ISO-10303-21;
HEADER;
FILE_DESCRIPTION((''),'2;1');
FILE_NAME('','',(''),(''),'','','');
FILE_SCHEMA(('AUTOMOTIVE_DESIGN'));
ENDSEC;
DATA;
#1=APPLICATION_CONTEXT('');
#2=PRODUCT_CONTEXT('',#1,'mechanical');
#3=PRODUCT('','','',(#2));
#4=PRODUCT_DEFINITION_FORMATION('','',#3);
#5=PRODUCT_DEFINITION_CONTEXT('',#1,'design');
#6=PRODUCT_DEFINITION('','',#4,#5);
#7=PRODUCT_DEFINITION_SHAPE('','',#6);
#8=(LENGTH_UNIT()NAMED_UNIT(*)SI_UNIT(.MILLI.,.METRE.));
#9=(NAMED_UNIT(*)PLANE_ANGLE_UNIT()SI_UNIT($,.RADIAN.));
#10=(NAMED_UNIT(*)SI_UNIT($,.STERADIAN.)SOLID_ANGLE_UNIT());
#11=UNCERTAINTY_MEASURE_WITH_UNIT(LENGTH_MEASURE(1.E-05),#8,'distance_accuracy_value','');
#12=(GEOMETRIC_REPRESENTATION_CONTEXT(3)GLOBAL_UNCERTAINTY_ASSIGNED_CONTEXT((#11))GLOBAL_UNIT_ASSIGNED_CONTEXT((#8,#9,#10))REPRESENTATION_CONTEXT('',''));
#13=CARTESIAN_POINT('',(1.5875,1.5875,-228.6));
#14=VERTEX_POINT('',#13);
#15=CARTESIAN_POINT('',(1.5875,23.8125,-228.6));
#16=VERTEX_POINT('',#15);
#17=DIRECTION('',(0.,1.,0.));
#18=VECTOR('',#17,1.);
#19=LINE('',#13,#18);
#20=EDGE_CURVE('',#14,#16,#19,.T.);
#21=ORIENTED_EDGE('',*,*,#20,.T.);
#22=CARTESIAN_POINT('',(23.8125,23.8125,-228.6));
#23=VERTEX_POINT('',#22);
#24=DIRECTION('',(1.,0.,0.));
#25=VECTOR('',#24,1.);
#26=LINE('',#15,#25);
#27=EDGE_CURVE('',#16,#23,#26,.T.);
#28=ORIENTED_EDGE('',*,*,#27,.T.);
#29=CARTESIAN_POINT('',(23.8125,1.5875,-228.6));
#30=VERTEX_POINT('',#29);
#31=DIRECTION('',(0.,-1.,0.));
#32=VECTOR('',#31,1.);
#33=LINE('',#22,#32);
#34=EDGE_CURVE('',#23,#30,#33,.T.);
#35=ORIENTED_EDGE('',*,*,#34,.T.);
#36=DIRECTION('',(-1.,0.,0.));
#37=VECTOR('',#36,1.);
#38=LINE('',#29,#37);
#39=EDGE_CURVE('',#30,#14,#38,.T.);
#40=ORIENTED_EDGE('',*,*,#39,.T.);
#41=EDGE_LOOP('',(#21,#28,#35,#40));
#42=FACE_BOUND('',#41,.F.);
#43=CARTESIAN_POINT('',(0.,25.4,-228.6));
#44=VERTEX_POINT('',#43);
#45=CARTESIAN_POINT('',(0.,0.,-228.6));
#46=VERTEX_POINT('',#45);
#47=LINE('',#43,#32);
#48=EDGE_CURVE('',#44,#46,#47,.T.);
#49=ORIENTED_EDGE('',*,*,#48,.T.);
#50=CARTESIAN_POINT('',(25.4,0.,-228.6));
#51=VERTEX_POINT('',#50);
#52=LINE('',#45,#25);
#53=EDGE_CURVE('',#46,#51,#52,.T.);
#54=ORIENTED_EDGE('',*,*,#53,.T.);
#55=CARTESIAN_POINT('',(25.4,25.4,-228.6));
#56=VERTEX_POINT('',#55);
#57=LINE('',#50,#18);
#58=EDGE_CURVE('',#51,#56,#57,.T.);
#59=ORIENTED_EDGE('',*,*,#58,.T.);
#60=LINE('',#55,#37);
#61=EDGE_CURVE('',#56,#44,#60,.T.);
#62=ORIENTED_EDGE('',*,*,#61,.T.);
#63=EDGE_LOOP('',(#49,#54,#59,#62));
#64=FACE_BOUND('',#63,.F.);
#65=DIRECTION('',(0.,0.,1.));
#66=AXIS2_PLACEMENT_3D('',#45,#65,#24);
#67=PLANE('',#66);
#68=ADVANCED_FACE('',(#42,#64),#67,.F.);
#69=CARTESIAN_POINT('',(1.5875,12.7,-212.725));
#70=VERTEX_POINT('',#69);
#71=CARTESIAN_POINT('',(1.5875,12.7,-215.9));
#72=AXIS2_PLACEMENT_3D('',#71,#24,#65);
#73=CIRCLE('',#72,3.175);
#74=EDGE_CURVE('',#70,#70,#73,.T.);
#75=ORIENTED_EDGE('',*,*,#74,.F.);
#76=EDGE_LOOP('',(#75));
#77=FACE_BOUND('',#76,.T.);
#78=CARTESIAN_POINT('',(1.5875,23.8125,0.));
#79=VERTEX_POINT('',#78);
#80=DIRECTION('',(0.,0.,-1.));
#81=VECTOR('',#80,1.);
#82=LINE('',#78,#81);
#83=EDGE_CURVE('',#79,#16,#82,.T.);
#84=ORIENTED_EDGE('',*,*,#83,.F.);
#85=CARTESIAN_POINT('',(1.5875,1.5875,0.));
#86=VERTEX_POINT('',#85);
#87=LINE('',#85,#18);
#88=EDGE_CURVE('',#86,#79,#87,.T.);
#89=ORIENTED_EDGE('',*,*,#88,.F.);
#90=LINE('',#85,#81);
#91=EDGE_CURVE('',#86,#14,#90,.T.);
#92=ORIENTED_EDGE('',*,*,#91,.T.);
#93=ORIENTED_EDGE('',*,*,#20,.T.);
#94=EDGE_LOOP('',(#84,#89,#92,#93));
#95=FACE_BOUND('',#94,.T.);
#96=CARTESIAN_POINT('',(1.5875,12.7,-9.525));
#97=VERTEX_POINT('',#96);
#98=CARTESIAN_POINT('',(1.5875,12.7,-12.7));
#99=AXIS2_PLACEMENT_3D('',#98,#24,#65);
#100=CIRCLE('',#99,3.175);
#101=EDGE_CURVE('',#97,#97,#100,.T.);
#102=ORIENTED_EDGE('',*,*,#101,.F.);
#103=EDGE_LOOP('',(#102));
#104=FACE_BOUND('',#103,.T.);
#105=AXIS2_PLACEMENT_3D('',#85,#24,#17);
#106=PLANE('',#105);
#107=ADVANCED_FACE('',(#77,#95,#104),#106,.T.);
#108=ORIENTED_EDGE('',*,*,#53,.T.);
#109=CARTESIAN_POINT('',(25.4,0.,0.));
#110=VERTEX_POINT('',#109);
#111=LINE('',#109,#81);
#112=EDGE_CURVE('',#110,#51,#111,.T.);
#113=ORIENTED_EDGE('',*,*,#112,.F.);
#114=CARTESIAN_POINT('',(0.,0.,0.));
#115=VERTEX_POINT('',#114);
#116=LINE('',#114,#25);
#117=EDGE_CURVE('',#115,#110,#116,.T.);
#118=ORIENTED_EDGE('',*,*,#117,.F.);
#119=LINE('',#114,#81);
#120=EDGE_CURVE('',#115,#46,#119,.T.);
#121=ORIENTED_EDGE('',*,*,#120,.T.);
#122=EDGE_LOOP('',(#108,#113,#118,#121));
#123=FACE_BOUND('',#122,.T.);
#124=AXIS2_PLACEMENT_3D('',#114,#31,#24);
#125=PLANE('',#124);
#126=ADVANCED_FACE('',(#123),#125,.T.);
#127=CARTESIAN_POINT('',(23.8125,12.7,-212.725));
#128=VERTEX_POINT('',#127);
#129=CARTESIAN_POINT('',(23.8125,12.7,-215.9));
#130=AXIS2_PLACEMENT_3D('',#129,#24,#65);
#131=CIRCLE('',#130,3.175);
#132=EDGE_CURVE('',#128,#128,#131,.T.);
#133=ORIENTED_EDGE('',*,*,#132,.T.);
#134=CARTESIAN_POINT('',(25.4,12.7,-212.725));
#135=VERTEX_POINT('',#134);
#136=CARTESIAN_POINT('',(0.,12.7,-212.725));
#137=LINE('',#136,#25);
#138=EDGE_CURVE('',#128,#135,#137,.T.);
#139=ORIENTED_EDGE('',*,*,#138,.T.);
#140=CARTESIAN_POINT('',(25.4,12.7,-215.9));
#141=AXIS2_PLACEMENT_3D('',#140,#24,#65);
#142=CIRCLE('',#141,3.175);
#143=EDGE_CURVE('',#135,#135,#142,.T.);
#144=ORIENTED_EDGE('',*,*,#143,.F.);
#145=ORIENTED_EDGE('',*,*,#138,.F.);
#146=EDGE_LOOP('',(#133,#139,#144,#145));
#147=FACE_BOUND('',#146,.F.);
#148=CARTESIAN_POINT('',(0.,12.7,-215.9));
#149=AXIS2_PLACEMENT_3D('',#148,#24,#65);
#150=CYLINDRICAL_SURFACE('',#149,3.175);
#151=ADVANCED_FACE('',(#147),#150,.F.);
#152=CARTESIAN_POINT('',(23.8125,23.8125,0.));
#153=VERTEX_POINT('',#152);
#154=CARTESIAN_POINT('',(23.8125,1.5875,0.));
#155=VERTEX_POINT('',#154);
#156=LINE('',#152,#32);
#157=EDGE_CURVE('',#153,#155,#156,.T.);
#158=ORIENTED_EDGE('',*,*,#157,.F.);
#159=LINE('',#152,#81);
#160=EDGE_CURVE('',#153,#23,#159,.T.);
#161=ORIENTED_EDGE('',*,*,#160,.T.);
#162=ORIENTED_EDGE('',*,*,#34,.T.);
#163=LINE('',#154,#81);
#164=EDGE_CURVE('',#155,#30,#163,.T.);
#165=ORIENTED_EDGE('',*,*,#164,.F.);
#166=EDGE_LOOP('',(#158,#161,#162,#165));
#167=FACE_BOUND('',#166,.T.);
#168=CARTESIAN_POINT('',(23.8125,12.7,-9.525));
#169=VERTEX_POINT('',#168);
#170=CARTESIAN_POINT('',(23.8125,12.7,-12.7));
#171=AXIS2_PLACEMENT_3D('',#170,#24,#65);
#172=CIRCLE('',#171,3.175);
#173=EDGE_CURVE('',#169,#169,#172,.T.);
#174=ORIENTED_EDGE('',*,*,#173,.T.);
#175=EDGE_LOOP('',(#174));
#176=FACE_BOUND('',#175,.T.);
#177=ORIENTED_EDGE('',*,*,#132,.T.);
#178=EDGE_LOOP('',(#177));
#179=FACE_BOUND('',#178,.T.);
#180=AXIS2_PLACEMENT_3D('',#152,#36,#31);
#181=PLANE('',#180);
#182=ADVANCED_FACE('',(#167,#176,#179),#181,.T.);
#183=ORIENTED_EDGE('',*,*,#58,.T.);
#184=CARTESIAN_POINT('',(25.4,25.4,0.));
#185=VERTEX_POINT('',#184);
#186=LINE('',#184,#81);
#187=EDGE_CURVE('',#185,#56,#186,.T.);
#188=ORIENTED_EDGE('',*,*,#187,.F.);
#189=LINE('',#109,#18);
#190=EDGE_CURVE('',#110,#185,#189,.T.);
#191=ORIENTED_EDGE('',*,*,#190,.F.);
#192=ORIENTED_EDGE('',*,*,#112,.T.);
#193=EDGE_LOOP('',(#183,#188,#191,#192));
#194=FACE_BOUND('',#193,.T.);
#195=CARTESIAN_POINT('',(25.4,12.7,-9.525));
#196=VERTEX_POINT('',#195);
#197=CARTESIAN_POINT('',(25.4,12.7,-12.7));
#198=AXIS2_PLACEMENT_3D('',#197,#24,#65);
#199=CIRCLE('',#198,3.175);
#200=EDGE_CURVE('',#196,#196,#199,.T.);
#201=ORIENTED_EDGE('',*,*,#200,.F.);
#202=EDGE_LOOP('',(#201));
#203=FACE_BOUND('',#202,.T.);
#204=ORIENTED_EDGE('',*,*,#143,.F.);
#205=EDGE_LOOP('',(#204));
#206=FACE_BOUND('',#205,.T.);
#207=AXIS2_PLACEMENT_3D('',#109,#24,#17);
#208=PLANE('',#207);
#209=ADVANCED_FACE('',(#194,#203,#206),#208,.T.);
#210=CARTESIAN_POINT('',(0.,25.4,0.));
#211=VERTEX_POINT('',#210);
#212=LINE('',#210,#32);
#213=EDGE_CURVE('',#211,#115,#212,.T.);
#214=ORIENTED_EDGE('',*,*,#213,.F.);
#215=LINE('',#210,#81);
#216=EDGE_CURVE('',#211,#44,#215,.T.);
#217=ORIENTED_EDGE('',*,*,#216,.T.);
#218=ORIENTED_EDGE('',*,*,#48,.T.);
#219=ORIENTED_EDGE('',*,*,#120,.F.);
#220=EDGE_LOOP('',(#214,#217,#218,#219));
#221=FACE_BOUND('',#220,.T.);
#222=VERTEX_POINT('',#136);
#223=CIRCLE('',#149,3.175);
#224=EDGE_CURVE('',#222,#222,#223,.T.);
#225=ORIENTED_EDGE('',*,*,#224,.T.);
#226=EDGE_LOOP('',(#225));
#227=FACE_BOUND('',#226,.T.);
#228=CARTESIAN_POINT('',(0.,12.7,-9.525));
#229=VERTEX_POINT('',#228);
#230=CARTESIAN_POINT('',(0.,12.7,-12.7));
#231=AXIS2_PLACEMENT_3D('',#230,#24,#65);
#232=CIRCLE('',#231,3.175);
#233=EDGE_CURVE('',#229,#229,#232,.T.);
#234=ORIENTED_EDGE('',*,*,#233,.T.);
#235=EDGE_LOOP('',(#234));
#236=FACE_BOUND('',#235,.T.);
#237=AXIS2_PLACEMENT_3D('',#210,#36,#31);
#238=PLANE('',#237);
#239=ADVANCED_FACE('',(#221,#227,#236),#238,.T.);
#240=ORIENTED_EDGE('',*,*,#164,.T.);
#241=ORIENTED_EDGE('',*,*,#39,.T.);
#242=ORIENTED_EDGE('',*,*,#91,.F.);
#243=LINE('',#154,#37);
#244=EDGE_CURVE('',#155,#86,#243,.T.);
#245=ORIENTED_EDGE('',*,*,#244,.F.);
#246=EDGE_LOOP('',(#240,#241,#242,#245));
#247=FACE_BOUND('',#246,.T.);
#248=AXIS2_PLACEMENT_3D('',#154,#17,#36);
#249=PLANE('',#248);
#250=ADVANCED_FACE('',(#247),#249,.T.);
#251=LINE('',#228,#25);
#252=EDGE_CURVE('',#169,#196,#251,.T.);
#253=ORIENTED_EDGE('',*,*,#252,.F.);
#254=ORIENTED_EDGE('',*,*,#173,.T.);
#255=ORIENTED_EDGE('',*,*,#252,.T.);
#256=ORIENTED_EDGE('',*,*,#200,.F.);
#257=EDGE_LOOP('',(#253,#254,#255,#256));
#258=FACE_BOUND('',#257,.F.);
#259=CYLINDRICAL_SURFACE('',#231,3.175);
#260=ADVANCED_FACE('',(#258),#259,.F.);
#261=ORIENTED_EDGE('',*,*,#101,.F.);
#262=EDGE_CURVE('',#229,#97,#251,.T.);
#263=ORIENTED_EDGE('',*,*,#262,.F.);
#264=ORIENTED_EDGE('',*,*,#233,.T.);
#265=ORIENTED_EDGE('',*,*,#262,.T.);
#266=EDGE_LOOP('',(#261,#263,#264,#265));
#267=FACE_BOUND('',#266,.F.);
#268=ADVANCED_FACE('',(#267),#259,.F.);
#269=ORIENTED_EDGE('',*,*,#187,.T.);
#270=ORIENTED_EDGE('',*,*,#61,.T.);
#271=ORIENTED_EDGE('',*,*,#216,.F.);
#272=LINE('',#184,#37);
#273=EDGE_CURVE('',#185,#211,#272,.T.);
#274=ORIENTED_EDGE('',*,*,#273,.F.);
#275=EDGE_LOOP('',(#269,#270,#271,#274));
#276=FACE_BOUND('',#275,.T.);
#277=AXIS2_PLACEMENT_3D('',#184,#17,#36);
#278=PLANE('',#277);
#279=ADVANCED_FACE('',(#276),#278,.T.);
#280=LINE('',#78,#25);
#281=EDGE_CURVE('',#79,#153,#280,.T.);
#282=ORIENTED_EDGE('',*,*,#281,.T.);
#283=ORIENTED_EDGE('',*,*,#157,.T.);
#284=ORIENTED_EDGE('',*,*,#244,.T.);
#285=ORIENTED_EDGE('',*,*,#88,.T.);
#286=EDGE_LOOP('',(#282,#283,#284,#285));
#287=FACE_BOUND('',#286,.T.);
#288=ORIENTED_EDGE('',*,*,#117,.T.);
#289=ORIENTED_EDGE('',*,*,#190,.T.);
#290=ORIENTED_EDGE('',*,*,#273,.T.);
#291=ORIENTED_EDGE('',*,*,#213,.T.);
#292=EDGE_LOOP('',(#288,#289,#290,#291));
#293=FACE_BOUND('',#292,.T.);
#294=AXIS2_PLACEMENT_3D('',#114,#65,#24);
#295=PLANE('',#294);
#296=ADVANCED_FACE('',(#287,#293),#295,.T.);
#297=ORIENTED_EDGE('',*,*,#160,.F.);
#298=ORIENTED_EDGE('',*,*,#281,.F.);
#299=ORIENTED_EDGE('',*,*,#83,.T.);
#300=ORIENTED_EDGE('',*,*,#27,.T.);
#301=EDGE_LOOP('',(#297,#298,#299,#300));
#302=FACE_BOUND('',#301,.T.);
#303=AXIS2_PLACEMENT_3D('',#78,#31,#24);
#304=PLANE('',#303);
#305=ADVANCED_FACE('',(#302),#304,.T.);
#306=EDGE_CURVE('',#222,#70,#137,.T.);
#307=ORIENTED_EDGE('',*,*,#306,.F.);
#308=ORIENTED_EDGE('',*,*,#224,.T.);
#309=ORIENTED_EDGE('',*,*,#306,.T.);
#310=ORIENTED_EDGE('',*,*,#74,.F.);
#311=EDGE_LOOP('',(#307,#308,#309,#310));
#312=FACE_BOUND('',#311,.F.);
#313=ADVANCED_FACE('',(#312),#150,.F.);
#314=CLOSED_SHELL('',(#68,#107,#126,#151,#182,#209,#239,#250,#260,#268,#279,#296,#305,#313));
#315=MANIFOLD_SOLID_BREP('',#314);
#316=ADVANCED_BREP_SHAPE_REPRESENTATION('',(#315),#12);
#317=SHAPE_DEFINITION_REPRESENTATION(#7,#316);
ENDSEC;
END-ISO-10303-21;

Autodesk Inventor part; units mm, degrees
ref_plane "YZ Plane" through (0, 0, 0) normal (1, 0, 0) x (0, 1, 0)
ref_plane "XZ Plane" through (0, 0, 0) normal (0, 1, 0) x (-1, 0, 0)
ref_plane "XY Plane" through (0, 0, 0) normal (0, 0, 1) x (1, 0, 0)
sketch "Sketch1" plane through (0, 0, 0) normal (0, 0, 1) x (1, 0, 0)
  line L0 (0, 0) -> (25.4, 0)
  line L1 (25.4, 0) -> (25.4, 25.4)
  line L2 (25.4, 25.4) -> (0, 25.4)
  line L3 (0, 25.4) -> (0, 0)
  line L4 (1.5875, 23.8125) -> (23.8125, 23.8125)
  line L5 (23.8125, 23.8125) -> (23.8125, 1.5875)
  line L6 (23.8125, 1.5875) -> (1.5875, 1.5875)
  line L7 (1.5875, 1.5875) -> (1.5875, 23.8125)
  dimension "d0" = 25.4
  dimension "d1" = 25.4
  dimension "d2" = 1.5875
extrude "Extrusion1" add sketch "Sketch1" against normal blind 228.6
sketch "Sketch3" plane through (0, 0, 0) normal (-1, 0, 0) x (0, 0, 1)
  line L0 (-228.6, 25.4) -> (-228.6, 0) projected
  line L1 (0, 25.4) -> (0, 0) projected
  point P0 (-215.9, 12.7)
  point P1 (-12.7, 12.7)
  dimension "d5" = 12.7
  dimension "d6" = 12.7
hole "Hole1" at (0, 12.7, -215.9) at (0, 12.7, -12.7) direction (1, 0, 0) diameter 6.35 depth 25.4 tip angle 118
properties part number "1tube_9"
